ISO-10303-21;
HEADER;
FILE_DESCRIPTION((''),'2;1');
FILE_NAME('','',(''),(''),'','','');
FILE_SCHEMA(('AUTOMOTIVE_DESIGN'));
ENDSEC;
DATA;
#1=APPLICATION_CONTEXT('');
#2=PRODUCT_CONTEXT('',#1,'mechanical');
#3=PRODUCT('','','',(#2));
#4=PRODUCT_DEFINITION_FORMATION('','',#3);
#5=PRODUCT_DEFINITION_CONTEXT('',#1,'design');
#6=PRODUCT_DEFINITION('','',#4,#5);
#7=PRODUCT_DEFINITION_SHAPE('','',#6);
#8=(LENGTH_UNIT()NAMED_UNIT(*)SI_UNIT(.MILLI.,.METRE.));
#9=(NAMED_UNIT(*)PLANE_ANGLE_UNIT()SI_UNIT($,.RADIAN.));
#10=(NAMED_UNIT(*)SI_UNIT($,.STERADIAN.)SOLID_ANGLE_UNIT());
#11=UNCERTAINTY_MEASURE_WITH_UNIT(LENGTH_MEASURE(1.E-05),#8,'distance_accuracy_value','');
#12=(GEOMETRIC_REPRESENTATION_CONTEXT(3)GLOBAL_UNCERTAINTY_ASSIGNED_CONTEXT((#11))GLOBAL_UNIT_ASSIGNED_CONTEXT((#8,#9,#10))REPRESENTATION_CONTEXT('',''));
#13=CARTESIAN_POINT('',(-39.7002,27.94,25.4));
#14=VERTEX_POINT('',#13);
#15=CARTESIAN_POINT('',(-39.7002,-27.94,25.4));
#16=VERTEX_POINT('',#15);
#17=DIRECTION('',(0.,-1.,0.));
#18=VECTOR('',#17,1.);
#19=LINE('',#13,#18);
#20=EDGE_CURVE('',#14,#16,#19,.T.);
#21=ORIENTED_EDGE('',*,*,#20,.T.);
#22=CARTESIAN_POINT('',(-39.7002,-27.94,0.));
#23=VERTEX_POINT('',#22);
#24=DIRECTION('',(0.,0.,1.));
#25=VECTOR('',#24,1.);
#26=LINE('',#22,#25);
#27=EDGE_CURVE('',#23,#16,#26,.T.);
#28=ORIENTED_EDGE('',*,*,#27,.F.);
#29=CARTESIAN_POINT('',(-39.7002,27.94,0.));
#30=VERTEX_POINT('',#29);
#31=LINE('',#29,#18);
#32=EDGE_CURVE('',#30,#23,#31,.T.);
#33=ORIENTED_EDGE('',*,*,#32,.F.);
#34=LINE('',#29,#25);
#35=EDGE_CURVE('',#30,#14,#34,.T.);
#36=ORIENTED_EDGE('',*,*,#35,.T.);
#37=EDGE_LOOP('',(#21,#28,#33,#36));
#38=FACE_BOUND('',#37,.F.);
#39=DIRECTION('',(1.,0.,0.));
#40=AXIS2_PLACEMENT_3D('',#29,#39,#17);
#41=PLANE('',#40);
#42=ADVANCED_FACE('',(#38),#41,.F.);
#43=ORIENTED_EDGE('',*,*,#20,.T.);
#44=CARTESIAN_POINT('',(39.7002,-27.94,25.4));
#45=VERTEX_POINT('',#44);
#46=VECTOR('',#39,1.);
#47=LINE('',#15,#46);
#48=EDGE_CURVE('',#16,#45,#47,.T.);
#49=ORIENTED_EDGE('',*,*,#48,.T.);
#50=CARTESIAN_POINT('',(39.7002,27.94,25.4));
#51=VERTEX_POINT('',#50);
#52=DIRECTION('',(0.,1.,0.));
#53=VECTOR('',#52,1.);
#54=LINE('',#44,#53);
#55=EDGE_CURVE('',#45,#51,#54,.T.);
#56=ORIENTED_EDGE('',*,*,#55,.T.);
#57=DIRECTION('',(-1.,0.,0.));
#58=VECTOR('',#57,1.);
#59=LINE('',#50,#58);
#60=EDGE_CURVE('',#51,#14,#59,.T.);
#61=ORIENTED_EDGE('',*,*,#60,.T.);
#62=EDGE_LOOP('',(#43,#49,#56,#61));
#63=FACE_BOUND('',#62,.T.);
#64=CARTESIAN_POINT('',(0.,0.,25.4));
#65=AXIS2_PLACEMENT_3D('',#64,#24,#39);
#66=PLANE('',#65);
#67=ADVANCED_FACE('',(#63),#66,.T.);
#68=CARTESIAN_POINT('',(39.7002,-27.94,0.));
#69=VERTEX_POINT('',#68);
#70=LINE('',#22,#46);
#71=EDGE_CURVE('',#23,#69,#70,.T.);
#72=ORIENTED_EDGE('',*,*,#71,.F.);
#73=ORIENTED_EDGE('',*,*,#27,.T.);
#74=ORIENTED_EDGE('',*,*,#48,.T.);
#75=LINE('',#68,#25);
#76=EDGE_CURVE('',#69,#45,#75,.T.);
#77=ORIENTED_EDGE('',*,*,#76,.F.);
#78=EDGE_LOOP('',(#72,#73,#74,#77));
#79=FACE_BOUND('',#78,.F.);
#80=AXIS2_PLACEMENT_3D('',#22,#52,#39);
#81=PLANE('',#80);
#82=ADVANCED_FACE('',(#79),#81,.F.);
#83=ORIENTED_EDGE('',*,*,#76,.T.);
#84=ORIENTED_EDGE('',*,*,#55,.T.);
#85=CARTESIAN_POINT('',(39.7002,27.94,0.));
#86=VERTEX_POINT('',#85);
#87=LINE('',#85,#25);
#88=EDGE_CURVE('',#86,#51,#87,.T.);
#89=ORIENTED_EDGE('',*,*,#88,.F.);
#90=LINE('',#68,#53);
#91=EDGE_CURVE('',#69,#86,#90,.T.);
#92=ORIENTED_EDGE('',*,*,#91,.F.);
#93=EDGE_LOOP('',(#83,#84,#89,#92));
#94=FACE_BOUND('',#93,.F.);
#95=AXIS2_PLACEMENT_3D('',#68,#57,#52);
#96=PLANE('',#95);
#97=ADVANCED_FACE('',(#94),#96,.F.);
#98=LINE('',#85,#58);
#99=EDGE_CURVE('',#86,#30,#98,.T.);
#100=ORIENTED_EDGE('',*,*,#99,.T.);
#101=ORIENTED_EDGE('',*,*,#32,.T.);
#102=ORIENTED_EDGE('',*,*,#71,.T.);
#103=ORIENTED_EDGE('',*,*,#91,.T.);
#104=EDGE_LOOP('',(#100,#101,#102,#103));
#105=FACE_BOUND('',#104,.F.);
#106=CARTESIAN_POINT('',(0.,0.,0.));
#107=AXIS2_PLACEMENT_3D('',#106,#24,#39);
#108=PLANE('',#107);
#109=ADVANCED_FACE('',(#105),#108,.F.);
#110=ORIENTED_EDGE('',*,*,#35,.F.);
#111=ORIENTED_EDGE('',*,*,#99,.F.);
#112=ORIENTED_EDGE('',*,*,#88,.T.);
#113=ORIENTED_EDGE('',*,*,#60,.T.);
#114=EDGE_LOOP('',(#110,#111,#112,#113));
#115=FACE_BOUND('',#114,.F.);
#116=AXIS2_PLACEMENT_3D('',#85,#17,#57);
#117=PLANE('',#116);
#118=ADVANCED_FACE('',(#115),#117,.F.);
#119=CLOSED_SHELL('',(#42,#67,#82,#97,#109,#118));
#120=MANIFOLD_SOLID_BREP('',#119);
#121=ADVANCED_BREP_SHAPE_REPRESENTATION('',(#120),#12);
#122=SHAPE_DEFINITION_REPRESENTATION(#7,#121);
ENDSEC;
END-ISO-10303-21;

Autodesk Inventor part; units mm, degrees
ref_plane "YZ Plane" through (0, 0, 0) normal (1, 0, 0) x (0, 1, 0)
ref_plane "XZ Plane" through (0, 0, 0) normal (0, 1, 0) x (-1, 0, 0)
ref_plane "XY Plane" through (0, 0, 0) normal (0, 0, 1) x (1, 0, 0)
sketch "Sketch1" plane through (0, 0, 0) normal (0, 0, 1) x (1, 0, 0)
  line L0 (-39.7002, -27.94) -> (39.7002, -27.94)
  line L1 (39.7002, -27.94) -> (39.7002, 27.94)
  line L2 (39.7002, 27.94) -> (-39.7002, 27.94)
  line L3 (-39.7002, 27.94) -> (-39.7002, -27.94)
  line L4 (-39.7002, -27.94) -> (39.7002, 27.94) construction
  line L5 (39.7002, -27.94) -> (-39.7002, 27.94) construction
  point P0 (0, 0)
  dimension "d0" = 55.88
  dimension "d1" = 79.4004
extrude "Extrusion1" add sketch "Sketch1" along normal blind 25.4
properties part number "mini bread board jeffrey p"
